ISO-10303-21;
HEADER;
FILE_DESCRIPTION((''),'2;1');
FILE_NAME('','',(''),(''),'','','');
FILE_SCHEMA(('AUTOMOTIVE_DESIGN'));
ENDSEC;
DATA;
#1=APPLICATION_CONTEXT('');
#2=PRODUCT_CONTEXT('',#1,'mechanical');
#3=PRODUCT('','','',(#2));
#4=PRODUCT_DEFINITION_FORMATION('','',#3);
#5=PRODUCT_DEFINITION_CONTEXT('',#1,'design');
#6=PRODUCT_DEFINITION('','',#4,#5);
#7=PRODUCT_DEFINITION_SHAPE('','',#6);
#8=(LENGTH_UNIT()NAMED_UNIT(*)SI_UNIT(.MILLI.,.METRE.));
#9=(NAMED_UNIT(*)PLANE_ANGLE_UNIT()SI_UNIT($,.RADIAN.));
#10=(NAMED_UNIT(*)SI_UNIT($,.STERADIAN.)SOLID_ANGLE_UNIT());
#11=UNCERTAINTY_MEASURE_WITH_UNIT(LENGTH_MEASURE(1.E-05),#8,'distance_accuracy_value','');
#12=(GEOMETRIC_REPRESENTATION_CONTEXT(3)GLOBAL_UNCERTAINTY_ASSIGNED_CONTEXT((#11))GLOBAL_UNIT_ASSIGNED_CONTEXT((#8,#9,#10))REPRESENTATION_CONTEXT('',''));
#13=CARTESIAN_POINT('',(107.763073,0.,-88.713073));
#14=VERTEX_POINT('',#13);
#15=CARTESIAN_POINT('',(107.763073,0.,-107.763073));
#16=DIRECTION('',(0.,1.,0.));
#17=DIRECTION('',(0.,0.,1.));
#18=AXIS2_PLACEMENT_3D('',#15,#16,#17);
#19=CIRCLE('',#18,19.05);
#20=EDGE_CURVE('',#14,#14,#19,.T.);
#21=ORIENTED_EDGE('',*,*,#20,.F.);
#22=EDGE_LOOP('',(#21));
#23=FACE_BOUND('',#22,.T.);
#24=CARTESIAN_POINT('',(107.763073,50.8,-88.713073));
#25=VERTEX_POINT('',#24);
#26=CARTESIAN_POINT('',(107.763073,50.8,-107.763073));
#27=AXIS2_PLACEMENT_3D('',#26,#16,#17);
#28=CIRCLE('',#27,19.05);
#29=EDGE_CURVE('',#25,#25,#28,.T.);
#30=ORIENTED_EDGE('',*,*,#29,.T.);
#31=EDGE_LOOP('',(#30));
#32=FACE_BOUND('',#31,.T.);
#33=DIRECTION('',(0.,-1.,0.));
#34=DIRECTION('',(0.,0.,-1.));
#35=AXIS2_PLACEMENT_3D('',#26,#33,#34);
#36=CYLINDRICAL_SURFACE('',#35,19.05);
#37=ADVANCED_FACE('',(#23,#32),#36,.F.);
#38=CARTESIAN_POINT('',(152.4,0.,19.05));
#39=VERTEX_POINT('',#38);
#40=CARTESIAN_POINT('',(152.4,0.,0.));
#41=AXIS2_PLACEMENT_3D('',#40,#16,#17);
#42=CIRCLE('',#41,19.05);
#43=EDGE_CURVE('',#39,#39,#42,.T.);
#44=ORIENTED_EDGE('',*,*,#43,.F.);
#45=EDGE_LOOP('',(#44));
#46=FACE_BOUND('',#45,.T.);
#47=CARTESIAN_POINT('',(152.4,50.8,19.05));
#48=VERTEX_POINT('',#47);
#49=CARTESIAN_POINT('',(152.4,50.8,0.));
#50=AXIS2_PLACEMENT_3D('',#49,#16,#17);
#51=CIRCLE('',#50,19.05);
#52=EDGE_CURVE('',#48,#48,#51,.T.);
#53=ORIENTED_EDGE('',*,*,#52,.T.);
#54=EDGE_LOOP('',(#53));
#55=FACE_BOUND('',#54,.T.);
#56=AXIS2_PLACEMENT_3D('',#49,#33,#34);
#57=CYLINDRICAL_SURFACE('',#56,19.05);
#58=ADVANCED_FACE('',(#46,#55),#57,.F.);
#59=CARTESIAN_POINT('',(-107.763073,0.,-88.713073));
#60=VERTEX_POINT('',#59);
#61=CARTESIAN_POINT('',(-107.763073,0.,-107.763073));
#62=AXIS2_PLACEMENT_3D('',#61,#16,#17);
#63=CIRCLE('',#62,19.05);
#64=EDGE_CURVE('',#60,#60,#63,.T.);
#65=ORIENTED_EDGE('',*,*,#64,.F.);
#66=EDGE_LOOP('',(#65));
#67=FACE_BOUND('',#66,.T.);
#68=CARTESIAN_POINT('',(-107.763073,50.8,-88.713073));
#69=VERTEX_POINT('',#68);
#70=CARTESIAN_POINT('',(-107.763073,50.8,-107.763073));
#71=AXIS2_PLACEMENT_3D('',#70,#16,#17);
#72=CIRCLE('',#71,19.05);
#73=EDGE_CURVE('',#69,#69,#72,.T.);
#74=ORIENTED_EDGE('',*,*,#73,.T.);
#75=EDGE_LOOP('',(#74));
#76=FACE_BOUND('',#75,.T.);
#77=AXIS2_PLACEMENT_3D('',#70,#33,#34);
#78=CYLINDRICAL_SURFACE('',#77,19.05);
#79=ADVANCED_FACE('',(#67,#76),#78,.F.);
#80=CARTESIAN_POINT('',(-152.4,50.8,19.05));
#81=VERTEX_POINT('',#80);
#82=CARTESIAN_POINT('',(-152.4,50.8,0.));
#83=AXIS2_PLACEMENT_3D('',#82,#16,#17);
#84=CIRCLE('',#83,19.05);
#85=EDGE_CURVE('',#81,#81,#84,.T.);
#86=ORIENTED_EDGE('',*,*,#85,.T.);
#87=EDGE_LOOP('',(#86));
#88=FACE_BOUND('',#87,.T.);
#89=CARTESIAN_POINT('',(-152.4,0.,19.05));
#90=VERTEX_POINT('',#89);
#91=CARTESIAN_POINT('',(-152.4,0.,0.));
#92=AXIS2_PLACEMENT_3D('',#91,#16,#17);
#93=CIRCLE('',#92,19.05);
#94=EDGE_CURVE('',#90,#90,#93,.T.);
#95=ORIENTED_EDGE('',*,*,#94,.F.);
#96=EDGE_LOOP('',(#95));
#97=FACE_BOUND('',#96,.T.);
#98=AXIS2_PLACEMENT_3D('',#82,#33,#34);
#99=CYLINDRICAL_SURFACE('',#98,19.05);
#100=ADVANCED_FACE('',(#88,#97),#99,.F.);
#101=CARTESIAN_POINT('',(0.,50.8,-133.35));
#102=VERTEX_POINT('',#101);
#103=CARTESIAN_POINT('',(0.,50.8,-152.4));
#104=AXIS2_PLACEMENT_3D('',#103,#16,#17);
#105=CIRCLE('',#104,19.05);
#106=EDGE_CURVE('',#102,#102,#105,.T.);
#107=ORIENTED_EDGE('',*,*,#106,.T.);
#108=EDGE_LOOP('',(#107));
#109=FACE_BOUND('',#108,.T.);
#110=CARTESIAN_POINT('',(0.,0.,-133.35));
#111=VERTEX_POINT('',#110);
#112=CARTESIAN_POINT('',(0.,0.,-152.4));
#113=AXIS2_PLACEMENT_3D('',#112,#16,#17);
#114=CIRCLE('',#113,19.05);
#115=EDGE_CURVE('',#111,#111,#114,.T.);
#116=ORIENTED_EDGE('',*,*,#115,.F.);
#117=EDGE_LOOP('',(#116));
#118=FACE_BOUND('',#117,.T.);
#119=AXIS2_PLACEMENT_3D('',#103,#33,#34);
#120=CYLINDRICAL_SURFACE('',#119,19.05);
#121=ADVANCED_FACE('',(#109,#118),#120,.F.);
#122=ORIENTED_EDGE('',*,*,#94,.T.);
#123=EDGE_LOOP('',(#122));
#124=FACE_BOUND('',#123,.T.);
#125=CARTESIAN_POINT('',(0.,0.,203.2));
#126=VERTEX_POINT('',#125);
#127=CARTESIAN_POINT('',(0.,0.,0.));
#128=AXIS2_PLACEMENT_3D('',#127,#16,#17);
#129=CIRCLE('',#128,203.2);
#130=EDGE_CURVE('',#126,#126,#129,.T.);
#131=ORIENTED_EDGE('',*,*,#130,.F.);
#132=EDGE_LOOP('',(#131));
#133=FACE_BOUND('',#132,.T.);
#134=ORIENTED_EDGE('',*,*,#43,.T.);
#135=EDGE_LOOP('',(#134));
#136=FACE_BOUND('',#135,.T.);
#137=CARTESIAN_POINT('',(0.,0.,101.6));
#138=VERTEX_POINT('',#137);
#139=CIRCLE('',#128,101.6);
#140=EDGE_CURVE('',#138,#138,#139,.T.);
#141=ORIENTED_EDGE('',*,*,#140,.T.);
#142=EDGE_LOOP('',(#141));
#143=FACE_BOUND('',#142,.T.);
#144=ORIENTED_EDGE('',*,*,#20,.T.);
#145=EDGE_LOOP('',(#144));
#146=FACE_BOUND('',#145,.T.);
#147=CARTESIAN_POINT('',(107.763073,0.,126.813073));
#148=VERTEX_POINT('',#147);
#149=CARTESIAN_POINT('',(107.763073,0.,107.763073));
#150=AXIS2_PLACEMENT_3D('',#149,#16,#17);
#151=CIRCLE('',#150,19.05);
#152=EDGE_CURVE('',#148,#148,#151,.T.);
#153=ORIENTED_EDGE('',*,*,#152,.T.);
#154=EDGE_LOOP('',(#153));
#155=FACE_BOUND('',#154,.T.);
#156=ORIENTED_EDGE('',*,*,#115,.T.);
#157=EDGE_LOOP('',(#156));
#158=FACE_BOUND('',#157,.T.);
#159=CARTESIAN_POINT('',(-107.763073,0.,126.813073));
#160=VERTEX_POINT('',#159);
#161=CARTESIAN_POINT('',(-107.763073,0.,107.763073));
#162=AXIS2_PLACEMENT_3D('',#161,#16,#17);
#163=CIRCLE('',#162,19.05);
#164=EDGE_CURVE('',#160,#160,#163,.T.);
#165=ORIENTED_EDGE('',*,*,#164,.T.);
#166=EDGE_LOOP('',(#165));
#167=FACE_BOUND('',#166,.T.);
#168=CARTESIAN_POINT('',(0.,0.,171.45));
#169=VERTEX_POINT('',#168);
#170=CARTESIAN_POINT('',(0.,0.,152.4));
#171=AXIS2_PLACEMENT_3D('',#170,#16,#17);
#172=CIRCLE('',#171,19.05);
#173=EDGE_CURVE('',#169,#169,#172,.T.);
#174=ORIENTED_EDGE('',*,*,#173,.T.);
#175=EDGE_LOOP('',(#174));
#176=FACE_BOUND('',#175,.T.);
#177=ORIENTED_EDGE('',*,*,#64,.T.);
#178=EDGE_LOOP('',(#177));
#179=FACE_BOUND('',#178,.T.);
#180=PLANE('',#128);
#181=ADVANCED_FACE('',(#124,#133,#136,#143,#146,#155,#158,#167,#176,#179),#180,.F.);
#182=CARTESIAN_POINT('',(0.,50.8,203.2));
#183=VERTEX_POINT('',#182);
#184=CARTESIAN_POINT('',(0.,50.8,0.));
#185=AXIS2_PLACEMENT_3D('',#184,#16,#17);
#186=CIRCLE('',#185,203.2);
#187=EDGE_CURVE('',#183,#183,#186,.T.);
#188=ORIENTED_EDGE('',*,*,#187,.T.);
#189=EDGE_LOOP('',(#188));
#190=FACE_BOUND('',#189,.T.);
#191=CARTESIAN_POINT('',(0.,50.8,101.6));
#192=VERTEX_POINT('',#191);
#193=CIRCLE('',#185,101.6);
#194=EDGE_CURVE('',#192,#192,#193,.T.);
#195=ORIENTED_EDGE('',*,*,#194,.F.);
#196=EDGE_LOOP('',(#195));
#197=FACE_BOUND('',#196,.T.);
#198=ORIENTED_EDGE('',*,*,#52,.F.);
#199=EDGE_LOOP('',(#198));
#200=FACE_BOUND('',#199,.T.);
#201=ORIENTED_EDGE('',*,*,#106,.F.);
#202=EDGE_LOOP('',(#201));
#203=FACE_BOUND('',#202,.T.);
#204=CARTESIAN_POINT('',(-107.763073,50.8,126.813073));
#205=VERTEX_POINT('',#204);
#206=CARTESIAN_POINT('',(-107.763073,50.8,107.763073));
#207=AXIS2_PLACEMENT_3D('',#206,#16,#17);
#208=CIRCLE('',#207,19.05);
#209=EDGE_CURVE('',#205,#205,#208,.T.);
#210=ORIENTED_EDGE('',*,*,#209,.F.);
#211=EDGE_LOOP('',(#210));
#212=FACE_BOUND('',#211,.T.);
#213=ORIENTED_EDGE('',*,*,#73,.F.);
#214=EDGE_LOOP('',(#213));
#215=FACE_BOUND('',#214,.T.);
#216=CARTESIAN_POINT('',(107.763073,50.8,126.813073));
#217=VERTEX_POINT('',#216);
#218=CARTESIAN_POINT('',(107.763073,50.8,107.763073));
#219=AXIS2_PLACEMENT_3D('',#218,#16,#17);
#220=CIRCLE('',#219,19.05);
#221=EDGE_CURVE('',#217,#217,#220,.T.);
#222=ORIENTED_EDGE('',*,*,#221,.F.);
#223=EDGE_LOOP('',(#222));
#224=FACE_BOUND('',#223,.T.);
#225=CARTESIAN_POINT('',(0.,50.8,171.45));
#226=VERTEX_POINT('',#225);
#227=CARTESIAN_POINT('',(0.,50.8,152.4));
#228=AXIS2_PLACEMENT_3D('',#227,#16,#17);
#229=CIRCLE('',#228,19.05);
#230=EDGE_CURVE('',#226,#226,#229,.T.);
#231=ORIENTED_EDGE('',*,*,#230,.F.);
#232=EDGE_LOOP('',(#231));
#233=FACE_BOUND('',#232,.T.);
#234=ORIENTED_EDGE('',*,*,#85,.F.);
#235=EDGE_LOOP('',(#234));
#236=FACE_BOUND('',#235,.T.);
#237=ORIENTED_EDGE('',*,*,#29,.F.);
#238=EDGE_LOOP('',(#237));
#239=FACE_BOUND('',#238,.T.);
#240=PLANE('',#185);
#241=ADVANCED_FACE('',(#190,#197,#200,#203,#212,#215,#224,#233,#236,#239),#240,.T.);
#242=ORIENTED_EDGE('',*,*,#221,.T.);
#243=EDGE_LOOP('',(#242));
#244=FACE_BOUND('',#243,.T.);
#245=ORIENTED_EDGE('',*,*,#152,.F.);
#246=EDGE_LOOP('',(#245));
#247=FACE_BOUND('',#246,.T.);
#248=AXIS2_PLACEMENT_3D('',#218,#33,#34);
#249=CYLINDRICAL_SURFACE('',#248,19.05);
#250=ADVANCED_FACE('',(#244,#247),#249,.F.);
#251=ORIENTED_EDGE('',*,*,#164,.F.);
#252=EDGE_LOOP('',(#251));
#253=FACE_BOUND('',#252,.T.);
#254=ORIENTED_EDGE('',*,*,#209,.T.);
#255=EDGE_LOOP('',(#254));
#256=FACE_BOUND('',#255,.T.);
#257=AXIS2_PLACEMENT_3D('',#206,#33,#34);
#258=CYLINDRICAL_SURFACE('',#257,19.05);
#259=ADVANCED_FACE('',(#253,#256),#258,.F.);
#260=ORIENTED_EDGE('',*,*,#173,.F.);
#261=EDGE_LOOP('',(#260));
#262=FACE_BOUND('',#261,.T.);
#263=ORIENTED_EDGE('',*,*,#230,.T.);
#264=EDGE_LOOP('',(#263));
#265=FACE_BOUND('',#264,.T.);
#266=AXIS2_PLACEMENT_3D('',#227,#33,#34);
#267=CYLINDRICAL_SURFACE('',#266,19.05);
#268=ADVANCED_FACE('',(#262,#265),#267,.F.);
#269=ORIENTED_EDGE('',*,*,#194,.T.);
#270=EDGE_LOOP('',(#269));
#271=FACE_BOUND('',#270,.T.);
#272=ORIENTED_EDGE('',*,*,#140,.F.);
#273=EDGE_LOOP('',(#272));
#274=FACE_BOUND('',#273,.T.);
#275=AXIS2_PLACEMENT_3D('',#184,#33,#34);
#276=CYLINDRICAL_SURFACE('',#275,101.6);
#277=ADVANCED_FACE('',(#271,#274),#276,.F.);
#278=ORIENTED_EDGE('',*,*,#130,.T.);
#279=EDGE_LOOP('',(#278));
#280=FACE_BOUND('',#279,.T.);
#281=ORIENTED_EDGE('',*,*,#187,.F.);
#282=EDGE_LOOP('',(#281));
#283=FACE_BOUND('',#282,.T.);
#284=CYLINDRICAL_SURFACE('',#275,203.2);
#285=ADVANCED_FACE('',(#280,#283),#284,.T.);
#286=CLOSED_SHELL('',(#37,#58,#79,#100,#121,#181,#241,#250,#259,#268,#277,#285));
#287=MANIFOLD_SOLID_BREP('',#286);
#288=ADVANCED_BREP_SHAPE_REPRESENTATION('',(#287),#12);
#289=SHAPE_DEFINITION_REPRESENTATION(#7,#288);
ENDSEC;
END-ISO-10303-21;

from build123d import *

# Parameters (mm, degrees)
SKETCH1_R           = 203.2
SKETCH1_R_2         = 19.05
SKETCH1_R_3         = 101.6
BOSS_EXTRUDE1_DEPTH = 50.8


with BuildPart() as part:
    # Sketch1 → Boss-Extrude1 (new body)
    with BuildSketch(Plane(origin=(0, 0, 0), x_dir=(1, 0, 0), z_dir=(0, 1, 0))):
        with Locations(Location((0, 0, 0), (0, 0, 270))):
            Circle(SKETCH1_R)
        with Locations(Location((-107.763073453, 107.763073453, 0), (0, 0, 270))):
            Circle(SKETCH1_R_2, mode=Mode.SUBTRACT)
        with Locations(Location((-152.4, 0, 0), (0, 0, 270))):
            Circle(SKETCH1_R_2, mode=Mode.SUBTRACT)
        with Locations(Location((-107.763073453, -107.763073453, 0), (0, 0, 270))):
            Circle(SKETCH1_R_2, mode=Mode.SUBTRACT)
        with Locations(Location((0, -152.4, 0), (0, 0, 270))):
            Circle(SKETCH1_R_2, mode=Mode.SUBTRACT)
        with Locations(Location((107.763073453, -107.763073453, 0), (0, 0, 270))):
            Circle(SKETCH1_R_2, mode=Mode.SUBTRACT)
        with Locations(Location((152.4, 0, 0), (0, 0, 270))):
            Circle(SKETCH1_R_2, mode=Mode.SUBTRACT)
        with Locations(Location((107.763073453, 107.763073453, 0), (0, 0, 270))):
            Circle(SKETCH1_R_2, mode=Mode.SUBTRACT)
        with Locations(Location((0, 152.4, 0), (0, 0, 270))):
            Circle(SKETCH1_R_2, mode=Mode.SUBTRACT)
        with Locations(Location((0, 0, 0), (0, 0, 270))):
            Circle(SKETCH1_R_3, mode=Mode.SUBTRACT)
    extrude(amount=BOSS_EXTRUDE1_DEPTH)


solid = part.part
